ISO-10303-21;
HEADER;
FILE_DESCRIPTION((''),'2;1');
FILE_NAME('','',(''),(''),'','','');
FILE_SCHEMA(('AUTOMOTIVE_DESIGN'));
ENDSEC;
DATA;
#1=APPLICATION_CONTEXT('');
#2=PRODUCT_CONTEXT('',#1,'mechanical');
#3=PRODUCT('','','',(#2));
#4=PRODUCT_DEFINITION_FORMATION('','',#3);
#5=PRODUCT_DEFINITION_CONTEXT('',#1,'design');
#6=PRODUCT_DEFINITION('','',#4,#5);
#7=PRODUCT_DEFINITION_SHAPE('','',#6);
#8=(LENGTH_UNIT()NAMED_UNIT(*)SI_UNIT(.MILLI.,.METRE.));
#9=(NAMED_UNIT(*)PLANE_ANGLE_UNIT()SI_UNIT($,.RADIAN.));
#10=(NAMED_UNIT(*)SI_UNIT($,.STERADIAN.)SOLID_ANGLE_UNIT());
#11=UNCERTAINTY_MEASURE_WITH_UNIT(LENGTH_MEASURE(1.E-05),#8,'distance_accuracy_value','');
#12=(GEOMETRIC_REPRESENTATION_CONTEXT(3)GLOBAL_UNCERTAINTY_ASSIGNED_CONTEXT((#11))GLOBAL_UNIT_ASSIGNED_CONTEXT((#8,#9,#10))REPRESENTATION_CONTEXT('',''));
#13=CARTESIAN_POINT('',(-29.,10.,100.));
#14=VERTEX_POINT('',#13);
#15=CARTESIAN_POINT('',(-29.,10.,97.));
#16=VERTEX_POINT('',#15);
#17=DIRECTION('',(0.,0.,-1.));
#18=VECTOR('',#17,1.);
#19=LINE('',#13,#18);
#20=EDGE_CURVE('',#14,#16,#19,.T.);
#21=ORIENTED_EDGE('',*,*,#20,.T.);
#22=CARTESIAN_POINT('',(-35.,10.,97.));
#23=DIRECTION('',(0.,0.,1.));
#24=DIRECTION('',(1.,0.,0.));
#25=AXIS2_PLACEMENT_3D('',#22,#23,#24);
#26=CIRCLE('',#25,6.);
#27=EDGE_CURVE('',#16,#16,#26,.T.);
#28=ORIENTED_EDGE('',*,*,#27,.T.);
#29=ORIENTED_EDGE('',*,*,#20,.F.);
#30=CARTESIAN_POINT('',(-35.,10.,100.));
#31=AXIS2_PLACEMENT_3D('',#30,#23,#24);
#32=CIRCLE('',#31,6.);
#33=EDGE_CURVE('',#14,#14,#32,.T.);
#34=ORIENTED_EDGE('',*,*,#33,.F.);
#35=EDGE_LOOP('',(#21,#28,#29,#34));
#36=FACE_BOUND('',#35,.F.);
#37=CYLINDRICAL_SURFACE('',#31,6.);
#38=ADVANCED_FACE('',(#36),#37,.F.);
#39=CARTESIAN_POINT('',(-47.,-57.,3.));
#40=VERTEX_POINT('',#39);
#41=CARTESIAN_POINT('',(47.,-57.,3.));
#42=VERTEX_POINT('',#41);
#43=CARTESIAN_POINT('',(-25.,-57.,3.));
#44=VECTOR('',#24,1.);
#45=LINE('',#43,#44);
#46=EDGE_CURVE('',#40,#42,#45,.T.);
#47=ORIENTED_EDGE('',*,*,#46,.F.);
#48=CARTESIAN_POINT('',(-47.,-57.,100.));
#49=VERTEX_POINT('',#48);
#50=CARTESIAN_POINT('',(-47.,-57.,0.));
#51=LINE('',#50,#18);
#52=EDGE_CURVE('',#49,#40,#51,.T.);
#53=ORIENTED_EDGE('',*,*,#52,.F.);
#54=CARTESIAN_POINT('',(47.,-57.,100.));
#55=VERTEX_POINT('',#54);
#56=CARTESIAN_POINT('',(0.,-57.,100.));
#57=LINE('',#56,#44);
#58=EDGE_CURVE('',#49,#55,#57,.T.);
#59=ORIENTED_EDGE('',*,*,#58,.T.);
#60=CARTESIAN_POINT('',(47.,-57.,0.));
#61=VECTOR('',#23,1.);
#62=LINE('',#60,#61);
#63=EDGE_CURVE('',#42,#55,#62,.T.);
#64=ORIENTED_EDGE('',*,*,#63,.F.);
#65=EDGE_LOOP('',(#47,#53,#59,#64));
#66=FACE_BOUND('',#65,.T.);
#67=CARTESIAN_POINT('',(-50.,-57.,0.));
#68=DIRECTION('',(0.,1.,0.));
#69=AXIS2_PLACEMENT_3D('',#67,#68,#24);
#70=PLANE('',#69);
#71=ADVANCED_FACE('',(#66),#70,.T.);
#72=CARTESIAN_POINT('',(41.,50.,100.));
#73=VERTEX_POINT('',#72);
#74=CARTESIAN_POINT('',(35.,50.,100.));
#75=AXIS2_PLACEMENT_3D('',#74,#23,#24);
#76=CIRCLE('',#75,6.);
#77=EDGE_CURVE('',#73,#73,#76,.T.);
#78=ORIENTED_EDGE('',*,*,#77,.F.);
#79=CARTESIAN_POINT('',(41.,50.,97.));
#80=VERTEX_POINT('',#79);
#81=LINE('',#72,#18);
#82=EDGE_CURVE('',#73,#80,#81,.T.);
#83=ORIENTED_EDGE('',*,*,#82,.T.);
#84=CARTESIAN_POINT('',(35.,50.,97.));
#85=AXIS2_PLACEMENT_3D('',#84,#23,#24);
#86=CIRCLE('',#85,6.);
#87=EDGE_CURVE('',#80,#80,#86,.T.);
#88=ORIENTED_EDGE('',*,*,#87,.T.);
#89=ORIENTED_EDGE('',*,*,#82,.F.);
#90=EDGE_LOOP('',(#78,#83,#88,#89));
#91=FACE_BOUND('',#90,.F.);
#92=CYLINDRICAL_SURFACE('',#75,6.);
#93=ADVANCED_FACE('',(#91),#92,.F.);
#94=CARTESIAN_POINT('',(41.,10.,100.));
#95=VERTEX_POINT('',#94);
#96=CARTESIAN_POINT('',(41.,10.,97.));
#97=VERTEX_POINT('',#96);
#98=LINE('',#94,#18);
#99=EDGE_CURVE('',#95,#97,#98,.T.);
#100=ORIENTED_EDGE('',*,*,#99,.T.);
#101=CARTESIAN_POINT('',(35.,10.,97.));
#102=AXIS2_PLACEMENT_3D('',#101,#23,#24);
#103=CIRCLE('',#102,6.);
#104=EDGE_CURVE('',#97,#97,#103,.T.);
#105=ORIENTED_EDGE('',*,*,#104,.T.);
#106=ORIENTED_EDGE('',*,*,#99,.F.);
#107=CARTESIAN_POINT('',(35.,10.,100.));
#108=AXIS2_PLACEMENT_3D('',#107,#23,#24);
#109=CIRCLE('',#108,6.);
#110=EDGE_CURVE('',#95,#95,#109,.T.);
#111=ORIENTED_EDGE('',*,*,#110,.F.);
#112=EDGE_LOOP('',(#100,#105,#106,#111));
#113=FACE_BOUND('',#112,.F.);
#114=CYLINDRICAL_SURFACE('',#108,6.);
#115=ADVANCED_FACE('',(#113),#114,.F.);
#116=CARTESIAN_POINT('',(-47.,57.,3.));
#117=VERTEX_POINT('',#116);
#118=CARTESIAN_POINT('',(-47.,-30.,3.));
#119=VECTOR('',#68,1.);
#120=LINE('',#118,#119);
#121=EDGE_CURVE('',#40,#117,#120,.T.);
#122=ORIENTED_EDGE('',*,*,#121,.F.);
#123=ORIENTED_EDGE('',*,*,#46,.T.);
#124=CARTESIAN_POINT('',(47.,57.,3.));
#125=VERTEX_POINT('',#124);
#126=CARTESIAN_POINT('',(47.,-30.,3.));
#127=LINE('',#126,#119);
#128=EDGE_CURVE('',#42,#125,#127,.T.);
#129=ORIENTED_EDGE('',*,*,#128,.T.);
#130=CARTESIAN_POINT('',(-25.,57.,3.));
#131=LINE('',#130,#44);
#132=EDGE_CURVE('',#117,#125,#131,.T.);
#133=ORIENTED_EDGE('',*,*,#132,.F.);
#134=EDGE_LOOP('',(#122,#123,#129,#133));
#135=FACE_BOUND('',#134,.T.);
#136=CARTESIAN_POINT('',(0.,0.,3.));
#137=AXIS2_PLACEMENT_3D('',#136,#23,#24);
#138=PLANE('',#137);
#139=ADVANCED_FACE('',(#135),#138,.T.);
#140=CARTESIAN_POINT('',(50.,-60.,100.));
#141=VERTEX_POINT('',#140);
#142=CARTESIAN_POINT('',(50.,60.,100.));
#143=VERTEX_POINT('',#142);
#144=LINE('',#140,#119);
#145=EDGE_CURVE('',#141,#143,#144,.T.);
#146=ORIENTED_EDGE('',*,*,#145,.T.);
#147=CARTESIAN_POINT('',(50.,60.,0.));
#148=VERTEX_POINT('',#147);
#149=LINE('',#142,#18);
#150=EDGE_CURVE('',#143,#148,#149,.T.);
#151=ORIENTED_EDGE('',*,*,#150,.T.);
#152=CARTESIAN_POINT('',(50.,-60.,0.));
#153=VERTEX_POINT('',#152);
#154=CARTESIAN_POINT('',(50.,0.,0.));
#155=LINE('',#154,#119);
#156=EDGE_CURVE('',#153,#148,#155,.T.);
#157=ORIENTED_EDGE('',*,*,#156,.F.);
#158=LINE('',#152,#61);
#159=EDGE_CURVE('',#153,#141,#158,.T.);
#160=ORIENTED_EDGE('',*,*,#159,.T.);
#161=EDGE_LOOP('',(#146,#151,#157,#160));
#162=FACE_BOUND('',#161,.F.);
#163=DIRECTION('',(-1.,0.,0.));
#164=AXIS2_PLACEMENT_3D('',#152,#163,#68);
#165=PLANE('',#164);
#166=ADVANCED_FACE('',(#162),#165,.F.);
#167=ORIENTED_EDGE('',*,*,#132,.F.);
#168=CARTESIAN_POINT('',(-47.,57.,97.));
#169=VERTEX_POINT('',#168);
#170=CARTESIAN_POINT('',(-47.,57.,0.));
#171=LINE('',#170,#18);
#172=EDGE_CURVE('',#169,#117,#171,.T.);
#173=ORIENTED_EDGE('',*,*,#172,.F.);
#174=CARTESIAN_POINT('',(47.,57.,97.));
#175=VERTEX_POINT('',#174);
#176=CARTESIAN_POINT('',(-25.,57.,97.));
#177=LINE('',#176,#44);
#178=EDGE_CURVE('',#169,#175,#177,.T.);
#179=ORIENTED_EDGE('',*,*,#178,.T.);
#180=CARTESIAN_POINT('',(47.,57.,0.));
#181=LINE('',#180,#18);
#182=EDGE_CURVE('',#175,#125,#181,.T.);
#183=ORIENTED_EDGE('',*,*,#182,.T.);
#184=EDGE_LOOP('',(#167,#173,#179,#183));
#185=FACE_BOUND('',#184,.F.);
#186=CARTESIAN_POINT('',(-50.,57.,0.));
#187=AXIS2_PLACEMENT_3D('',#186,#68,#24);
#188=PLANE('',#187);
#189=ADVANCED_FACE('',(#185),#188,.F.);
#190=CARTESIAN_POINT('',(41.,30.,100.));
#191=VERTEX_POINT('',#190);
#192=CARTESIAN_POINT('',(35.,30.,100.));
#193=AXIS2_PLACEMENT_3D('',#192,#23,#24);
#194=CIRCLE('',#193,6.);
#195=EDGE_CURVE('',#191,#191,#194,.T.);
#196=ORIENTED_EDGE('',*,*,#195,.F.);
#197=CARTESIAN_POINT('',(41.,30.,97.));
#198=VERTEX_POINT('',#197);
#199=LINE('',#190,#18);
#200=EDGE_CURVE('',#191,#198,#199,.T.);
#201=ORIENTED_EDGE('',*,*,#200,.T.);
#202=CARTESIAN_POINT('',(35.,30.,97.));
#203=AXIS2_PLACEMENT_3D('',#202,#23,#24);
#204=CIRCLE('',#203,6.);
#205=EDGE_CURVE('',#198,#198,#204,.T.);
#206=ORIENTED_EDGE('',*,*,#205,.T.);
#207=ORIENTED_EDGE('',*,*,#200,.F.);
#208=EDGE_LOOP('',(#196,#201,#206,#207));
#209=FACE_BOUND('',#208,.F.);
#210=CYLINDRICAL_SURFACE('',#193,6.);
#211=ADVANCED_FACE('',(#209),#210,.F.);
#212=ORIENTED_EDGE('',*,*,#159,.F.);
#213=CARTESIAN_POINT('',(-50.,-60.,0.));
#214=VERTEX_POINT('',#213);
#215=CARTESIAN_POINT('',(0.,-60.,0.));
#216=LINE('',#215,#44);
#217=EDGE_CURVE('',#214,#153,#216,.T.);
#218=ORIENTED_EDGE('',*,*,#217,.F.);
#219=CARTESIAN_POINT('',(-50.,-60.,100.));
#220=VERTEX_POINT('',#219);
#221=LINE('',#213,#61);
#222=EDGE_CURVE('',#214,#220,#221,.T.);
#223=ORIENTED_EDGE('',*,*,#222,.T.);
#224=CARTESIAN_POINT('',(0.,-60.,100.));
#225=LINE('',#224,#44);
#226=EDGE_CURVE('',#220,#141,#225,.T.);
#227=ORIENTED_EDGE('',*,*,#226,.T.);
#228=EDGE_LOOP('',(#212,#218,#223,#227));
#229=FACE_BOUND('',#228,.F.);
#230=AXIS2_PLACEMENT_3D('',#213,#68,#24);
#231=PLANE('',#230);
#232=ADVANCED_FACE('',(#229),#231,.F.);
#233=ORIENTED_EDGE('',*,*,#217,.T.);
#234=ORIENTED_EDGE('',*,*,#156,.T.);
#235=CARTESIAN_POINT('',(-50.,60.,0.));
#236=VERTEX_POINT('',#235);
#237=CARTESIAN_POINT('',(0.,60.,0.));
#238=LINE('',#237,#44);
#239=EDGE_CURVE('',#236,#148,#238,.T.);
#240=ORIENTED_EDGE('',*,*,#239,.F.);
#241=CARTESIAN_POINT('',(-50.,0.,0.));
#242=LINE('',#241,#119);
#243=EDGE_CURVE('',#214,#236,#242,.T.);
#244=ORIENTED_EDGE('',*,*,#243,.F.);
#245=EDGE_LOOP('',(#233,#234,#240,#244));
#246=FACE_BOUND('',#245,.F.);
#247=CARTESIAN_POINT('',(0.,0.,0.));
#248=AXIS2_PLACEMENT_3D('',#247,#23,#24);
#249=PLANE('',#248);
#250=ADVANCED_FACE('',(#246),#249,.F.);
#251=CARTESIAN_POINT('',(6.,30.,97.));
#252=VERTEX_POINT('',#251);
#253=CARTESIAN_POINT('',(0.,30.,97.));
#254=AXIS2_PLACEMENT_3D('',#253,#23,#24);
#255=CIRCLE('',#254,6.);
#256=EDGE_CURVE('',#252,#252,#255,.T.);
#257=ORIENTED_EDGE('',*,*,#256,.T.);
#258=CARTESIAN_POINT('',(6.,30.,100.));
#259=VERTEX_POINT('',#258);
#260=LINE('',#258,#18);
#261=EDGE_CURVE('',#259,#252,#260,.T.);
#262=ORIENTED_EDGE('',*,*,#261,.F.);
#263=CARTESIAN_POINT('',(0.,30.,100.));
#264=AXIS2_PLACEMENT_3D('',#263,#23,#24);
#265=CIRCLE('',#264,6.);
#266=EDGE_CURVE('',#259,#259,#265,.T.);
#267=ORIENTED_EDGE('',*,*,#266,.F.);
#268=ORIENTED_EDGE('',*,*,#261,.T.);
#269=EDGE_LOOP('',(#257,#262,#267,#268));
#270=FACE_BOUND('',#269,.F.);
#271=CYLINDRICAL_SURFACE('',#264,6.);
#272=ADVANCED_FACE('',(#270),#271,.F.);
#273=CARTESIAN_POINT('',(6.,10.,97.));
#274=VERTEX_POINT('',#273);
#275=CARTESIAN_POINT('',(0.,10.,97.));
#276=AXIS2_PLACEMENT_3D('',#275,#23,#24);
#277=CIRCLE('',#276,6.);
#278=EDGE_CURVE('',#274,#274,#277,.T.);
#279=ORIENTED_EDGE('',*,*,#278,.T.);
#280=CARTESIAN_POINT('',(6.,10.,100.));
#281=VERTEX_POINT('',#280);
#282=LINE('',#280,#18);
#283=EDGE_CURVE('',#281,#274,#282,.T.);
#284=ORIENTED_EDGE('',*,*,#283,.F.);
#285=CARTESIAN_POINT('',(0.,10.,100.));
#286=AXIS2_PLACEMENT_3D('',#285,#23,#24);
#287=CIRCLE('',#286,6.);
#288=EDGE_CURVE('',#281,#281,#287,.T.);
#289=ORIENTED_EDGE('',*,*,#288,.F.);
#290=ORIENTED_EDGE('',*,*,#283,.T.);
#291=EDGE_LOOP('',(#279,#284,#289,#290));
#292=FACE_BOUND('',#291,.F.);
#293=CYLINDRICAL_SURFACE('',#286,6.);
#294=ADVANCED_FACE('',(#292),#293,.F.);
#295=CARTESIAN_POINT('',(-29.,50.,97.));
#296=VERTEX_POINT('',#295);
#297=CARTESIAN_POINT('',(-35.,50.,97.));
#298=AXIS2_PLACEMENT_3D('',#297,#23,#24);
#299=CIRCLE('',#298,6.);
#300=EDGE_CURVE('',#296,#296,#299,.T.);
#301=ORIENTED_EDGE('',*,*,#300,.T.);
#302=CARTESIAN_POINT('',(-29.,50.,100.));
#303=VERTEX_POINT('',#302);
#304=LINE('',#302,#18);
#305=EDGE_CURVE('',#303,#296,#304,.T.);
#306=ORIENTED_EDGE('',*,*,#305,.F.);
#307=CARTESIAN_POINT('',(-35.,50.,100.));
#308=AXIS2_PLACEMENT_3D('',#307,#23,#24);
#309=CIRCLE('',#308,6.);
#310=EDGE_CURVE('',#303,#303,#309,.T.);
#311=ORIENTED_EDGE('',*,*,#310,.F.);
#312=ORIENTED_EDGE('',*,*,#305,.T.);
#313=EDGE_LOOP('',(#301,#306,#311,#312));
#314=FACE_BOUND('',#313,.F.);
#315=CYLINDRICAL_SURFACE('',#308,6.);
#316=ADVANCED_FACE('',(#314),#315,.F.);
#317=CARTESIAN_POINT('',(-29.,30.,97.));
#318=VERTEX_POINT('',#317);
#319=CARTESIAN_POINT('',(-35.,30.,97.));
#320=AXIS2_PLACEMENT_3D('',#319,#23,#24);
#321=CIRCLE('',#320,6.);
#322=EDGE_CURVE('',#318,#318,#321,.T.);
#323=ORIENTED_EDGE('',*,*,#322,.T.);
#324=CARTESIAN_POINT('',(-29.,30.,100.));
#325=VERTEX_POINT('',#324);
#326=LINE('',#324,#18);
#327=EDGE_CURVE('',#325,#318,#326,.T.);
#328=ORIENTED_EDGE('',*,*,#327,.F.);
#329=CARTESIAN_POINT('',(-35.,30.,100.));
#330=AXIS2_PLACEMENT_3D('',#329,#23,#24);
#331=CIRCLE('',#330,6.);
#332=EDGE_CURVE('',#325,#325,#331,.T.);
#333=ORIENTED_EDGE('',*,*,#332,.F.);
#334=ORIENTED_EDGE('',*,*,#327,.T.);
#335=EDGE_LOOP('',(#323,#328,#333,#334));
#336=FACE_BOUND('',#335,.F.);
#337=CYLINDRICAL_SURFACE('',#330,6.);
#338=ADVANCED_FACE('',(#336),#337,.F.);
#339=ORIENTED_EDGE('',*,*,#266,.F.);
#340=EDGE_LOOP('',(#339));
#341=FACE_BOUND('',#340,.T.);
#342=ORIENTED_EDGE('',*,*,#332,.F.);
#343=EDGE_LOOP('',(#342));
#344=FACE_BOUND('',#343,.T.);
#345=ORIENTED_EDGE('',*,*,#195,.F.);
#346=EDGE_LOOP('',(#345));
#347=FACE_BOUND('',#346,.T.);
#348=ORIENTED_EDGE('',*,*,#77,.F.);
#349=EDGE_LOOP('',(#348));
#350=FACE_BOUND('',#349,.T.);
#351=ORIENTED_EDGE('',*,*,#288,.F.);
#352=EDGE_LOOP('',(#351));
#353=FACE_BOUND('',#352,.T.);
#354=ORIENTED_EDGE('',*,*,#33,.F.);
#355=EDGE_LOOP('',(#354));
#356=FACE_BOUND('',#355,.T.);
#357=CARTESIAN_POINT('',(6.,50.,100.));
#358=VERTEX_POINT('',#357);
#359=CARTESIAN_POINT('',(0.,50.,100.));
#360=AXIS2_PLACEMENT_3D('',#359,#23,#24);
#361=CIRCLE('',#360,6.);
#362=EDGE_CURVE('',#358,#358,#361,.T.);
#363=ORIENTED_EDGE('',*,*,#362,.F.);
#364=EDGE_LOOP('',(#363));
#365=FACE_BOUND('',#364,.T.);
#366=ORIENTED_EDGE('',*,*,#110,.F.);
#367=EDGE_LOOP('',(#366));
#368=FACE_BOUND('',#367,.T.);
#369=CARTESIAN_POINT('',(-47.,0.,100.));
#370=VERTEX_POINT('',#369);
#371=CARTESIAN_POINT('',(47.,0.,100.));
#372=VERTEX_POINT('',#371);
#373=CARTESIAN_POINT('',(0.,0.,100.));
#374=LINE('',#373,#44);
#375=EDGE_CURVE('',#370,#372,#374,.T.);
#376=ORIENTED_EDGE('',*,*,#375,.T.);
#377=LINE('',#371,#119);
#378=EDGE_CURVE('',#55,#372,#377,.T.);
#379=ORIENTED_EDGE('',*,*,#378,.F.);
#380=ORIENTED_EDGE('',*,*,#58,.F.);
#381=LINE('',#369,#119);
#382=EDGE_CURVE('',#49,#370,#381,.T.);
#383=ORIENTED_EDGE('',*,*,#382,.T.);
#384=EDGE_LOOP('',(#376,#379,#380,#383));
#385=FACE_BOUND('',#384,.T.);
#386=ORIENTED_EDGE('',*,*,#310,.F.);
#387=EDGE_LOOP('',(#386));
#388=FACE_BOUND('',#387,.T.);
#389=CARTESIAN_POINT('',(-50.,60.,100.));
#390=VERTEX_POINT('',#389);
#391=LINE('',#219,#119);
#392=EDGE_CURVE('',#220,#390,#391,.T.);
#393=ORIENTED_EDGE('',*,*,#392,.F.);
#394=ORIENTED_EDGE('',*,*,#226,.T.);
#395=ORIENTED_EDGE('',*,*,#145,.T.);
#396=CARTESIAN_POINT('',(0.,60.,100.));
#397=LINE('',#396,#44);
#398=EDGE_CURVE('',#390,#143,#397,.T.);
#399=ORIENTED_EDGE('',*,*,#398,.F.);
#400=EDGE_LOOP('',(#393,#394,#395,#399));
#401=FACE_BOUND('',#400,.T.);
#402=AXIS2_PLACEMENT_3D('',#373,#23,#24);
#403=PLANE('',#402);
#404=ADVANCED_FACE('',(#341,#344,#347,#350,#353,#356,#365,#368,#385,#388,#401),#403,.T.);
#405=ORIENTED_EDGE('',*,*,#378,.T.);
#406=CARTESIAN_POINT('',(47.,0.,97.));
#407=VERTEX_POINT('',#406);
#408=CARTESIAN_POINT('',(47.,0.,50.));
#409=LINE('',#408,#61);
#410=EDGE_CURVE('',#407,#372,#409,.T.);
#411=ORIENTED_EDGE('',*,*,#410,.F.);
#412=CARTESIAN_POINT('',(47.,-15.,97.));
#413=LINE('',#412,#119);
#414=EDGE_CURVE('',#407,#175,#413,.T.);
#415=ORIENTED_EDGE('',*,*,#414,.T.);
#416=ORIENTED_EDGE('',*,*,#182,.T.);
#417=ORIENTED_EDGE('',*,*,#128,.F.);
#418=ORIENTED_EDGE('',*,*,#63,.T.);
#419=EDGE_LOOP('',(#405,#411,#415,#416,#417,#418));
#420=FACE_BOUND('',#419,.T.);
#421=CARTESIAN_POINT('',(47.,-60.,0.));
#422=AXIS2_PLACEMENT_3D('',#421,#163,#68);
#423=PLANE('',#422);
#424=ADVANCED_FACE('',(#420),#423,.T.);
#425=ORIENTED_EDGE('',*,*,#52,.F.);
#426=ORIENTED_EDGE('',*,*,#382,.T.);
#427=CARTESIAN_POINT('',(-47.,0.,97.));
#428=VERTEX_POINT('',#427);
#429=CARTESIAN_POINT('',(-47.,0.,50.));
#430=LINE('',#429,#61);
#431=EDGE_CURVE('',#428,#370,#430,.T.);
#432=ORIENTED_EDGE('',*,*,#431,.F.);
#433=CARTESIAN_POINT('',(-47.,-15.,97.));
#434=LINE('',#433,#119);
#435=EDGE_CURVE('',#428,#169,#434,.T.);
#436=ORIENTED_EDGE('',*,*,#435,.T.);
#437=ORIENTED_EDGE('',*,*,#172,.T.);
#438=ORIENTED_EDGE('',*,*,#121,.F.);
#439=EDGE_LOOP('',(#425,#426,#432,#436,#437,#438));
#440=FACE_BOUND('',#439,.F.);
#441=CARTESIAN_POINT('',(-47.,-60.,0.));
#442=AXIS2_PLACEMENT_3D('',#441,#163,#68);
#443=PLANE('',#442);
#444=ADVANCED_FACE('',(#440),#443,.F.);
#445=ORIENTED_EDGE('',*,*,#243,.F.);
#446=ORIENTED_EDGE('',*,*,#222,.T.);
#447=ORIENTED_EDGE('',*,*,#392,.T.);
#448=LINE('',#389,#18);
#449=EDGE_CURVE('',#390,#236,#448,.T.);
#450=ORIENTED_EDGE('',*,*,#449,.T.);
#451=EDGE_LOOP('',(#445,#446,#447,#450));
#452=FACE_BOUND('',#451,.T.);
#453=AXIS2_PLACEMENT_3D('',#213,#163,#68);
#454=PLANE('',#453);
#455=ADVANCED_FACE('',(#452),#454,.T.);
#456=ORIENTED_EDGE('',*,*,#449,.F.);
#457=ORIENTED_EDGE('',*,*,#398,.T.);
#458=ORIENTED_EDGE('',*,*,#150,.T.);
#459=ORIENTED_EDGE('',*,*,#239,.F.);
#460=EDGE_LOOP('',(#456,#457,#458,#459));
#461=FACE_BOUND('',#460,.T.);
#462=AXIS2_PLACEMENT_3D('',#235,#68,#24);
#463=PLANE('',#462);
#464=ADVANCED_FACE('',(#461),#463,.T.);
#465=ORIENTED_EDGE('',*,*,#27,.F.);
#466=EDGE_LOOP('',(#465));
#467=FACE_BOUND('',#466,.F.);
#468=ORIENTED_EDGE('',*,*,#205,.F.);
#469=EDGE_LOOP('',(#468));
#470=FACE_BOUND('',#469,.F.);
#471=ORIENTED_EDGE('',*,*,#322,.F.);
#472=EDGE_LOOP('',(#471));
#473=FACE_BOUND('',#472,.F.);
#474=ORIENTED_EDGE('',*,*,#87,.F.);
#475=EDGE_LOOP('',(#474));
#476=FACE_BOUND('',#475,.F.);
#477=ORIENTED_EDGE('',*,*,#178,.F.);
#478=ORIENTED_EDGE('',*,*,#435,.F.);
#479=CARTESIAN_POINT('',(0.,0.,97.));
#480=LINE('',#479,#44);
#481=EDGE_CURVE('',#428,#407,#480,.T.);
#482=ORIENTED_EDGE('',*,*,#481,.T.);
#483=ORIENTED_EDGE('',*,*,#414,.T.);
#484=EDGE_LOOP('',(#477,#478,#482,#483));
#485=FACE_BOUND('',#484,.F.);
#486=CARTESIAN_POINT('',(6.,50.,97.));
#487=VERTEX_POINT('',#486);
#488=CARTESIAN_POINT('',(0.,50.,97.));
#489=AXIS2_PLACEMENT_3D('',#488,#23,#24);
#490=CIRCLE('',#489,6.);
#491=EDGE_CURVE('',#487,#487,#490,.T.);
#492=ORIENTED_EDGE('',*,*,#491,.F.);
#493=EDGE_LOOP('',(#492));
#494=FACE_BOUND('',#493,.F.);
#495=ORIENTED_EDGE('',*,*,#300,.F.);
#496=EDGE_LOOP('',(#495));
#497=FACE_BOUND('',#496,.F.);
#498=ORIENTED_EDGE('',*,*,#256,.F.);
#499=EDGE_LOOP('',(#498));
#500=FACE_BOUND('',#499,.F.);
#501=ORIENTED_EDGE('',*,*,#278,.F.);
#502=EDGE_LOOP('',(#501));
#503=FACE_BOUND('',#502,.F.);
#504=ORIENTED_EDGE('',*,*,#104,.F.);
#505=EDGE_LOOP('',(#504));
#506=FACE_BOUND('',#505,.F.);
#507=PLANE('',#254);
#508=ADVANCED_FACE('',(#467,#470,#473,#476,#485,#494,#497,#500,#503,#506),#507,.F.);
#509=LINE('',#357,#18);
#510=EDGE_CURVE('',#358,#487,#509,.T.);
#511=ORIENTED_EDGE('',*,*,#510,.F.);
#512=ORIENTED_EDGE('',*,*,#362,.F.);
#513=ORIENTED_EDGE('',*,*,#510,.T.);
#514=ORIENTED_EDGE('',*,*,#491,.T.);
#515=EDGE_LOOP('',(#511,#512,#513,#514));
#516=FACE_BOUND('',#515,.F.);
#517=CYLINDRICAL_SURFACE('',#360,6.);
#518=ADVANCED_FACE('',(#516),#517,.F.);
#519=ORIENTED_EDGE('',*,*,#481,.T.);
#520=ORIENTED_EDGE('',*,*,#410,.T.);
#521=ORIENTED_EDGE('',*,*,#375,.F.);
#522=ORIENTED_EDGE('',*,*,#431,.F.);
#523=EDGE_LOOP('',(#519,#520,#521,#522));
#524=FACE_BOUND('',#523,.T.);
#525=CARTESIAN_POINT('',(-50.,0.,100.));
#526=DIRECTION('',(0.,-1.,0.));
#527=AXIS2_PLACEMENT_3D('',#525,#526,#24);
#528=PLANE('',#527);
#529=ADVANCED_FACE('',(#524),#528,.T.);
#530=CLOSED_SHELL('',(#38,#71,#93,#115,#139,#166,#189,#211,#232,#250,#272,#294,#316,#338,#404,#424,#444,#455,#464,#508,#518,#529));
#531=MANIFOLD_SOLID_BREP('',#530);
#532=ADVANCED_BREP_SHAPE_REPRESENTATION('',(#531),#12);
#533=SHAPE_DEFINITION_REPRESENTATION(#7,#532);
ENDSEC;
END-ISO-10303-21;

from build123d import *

# Parameters (mm, degrees)
F0_W     = 100
F0_H     = 120
F1_DEPTH = 100
F2_T     = -3
F3_W     = 100
F3_H     = 60
F4_DEPTH = 3
F5_R     = 6
F6_DEPTH = 25


with BuildPart() as f1:
    # F0 (on Top) → F1 (new body)
    with BuildSketch(Plane.XY):
        Rectangle(F0_W, F0_H)
    extrude(amount=F1_DEPTH)

    # F2
    f2_openings = [f1.faces().sort_by_distance(p)[0] for p in [
        (0, 0, 100),
    ]]
    offset(amount=F2_T, openings=f2_openings)

    # F3 (on face) → F4 (join)
    with BuildSketch(Plane.XY.offset(100)):
        with Locations((0, 30)):
            Rectangle(F3_W, F3_H)
    extrude(amount=-F4_DEPTH)

    # F5 (on face) → F6 (cut)
    with BuildSketch(Plane.XY.offset(100)):
        with Locations((0, 30)):
            Circle(F5_R)
        with Locations((35, 30)):
            Circle(F5_R)
        with Locations((-35, 30)):
            Circle(F5_R)
        with Locations((-35, 50)):
            Circle(F5_R)
        with Locations((0, 50)):
            Circle(F5_R)
        with Locations((35, 50)):
            Circle(F5_R)
        with Locations((-35, 10)):
            Circle(F5_R)
        with Locations((0, 10)):
            Circle(F5_R)
        with Locations((35, 10)):
            Circle(F5_R)
    extrude(amount=-F6_DEPTH, mode=Mode.SUBTRACT)


solid = f1.part
